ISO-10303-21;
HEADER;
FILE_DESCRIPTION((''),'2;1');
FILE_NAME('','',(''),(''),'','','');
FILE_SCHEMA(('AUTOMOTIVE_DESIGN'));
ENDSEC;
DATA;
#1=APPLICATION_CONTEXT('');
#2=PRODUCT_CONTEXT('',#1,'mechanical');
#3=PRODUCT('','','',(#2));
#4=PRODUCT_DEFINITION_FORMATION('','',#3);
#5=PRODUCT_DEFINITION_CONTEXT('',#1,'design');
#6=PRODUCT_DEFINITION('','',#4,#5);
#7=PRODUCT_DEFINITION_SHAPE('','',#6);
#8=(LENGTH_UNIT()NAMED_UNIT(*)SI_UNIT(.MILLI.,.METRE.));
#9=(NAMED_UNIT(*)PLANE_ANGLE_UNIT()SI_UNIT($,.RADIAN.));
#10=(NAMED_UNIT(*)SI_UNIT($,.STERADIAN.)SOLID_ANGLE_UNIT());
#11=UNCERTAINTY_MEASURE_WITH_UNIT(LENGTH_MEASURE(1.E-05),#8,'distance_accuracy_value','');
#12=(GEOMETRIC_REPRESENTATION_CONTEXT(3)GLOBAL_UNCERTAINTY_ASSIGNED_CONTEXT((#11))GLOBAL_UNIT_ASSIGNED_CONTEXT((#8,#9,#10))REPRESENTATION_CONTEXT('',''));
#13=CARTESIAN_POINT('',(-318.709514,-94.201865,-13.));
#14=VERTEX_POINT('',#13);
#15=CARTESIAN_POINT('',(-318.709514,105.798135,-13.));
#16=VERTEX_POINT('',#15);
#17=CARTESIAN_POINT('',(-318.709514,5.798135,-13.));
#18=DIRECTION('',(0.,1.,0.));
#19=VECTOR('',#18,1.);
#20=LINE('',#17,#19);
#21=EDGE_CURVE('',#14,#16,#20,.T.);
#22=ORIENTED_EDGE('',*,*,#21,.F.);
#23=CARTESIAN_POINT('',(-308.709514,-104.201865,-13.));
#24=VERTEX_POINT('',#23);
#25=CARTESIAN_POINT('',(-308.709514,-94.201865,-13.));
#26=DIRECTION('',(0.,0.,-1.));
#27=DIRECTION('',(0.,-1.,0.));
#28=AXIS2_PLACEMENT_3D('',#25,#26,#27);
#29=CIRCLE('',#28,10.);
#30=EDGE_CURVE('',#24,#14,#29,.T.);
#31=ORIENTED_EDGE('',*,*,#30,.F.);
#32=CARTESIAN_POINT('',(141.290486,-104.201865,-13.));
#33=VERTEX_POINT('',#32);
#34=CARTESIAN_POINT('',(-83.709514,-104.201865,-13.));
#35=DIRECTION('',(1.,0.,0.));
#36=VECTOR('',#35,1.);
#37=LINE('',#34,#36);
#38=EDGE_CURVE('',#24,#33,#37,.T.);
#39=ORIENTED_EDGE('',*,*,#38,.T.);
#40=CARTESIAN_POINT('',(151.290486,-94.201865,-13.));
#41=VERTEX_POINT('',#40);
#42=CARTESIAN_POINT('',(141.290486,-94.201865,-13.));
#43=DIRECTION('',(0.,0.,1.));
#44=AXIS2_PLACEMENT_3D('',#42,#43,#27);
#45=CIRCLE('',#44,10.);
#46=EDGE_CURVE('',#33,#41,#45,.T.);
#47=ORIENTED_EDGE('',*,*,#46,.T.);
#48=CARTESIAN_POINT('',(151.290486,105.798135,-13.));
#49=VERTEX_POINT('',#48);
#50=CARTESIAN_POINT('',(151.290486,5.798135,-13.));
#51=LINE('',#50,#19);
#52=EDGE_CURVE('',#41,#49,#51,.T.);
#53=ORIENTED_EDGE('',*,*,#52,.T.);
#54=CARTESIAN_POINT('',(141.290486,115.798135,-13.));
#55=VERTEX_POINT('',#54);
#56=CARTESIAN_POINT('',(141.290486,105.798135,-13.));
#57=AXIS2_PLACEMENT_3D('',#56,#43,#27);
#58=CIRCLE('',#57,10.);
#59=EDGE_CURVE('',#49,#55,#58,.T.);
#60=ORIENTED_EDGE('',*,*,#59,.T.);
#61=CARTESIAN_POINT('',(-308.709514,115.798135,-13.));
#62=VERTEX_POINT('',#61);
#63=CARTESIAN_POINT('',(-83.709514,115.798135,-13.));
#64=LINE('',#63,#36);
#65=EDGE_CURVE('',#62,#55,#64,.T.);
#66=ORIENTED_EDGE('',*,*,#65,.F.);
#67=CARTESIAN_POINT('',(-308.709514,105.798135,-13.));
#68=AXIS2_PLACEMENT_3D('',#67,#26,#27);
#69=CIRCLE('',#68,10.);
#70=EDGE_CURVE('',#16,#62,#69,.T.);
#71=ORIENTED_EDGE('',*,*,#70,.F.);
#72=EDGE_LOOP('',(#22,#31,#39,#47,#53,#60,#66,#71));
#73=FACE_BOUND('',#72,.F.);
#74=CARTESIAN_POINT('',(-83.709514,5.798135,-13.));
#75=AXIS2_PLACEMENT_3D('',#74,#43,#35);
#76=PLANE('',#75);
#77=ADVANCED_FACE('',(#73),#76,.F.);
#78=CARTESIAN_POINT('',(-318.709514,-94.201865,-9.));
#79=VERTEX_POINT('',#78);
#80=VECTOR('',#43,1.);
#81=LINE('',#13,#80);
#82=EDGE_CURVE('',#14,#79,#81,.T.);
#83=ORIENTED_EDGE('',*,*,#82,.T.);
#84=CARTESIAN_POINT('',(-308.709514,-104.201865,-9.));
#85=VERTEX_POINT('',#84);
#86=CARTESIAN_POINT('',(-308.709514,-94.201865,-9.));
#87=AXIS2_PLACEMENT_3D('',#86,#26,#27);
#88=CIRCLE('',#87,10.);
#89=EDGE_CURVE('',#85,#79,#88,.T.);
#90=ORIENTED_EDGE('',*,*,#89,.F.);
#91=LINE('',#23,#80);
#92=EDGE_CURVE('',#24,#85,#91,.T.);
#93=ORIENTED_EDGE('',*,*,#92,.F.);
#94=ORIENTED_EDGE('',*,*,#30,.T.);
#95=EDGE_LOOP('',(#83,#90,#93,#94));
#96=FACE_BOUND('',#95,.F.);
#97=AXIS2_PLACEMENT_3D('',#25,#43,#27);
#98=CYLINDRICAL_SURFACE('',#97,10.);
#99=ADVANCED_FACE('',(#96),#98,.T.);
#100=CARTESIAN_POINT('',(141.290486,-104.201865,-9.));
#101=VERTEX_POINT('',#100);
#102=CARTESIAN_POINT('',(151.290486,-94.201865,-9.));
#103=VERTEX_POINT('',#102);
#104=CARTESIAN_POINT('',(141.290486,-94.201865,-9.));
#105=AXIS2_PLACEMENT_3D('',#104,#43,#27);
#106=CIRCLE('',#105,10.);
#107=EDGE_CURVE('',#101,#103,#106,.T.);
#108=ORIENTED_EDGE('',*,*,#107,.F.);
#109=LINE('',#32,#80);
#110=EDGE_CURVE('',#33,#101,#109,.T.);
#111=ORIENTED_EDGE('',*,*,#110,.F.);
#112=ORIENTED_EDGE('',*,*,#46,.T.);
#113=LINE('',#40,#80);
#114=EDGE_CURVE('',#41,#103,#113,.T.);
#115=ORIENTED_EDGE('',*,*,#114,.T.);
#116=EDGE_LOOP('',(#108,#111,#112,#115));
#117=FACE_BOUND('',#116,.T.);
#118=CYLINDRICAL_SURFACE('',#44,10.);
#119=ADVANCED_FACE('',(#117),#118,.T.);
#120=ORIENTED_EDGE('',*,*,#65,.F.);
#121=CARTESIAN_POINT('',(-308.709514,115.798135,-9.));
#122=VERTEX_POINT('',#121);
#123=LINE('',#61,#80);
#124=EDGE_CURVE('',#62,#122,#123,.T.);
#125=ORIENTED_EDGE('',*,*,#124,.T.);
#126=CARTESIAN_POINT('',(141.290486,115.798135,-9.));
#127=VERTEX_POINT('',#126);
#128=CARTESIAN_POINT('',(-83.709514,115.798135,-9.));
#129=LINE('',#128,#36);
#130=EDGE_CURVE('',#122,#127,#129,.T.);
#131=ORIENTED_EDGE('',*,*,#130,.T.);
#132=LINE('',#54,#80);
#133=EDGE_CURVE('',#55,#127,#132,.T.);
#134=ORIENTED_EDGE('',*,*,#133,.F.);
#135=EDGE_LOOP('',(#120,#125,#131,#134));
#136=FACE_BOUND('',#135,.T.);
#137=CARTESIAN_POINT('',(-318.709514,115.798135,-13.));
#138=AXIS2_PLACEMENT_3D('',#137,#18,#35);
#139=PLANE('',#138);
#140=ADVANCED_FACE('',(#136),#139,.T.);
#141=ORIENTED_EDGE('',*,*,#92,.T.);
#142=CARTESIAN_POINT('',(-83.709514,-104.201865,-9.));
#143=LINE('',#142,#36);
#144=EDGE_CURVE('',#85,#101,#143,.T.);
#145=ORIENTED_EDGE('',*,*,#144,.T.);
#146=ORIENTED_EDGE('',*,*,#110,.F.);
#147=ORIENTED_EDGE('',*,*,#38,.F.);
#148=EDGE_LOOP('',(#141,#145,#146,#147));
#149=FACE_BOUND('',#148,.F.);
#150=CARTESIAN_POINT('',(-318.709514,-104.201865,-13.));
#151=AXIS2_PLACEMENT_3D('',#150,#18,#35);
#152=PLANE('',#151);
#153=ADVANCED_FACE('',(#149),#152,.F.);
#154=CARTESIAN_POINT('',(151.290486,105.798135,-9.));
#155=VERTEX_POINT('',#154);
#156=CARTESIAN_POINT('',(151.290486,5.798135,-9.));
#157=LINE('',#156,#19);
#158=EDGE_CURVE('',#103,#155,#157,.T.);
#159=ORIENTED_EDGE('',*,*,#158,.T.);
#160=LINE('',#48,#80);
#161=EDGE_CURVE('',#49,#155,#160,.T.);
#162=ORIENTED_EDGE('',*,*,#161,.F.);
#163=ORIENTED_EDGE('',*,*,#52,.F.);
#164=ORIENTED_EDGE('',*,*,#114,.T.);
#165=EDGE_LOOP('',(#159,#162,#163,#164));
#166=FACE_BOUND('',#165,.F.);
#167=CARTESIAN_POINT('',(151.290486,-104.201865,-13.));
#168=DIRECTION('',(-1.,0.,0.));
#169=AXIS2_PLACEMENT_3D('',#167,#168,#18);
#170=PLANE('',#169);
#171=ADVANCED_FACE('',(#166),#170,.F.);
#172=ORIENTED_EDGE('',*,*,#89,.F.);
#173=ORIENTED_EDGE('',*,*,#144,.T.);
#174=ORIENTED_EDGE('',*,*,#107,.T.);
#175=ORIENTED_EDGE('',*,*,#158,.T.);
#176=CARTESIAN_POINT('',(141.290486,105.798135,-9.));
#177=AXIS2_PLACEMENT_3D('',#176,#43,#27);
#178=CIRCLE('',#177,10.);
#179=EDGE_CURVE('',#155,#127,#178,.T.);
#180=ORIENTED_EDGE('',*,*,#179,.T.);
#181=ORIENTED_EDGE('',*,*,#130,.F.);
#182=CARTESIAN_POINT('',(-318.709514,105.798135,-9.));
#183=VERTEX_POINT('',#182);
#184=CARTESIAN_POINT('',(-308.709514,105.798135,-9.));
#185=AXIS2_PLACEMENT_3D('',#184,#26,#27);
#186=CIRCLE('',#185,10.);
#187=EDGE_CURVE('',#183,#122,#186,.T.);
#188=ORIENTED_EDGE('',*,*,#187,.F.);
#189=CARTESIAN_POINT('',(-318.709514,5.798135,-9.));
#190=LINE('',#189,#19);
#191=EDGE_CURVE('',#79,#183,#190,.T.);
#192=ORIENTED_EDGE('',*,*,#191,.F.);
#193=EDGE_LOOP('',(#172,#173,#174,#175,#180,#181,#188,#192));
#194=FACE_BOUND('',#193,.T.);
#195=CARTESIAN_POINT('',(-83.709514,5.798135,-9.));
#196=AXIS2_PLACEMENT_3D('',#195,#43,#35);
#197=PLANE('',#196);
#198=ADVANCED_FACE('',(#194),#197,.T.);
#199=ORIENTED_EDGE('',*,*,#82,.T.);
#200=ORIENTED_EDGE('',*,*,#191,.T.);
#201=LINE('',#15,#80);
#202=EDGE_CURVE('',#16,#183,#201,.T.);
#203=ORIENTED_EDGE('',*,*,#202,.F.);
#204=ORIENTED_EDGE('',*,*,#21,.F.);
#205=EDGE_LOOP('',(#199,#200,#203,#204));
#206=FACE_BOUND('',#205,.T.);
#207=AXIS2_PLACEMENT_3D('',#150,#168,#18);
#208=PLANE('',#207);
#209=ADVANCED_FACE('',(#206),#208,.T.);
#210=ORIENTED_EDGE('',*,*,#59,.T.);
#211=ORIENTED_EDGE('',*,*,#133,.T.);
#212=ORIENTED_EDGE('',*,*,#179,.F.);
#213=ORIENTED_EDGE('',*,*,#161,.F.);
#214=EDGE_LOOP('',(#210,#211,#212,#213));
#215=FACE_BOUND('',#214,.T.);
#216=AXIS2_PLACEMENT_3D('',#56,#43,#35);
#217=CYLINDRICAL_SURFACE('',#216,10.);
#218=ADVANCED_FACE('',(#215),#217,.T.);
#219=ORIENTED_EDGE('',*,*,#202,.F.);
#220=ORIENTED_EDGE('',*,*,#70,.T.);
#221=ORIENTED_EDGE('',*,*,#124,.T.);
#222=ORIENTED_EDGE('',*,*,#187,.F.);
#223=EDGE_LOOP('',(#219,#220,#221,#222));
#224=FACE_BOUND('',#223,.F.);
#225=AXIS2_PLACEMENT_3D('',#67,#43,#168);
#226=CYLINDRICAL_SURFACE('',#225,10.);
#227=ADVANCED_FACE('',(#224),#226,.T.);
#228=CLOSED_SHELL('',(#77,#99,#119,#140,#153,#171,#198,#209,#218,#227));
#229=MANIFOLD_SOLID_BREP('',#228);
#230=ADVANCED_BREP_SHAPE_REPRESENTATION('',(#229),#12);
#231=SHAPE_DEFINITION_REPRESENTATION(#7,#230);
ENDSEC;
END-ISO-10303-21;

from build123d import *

# Parameters (mm, degrees)
SKETCH_W    = 470
SKETCH_H    = 220
PAD_DEPTH   = 4
FILLET_R    = 10
FILLET001_R = 10
FILLET002_R = 10
FILLET003_R = 10


with BuildPart() as part:
    # Sketch → Pad (new body)
    with BuildSketch(Plane.XY):
        with Locations((113.290486, 6.298135)):
            Rectangle(SKETCH_W, SKETCH_H)
    extrude(amount=PAD_DEPTH)

    # Fillet
    fillet_edges = [part.edges().sort_by_distance(p)[0] for p in [
        (348.290486, -103.701865, 2),
    ]]
    fillet(fillet_edges, radius=FILLET_R)

    # Fillet001
    fillet001_edges = [part.edges().sort_by_distance(p)[0] for p in [
        (348.290486, 116.298135, 2),
    ]]
    fillet(fillet001_edges, radius=FILLET001_R)

    # Fillet002
    fillet002_edges = [part.edges().sort_by_distance(p)[0] for p in [
        (-121.709514, -103.701865, 2),
    ]]
    fillet(fillet002_edges, radius=FILLET002_R)

    # Fillet003
    fillet003_edges = [part.edges().sort_by_distance(p)[0] for p in [
        (-121.709514, 116.298135, 2),
    ]]
    fillet(fillet003_edges, radius=FILLET003_R)


with BuildPart() as part_1:
    # Body placement: moved
    add(part.part.moved(Location((-197, -0.5, -13))))


solid = part_1.part
